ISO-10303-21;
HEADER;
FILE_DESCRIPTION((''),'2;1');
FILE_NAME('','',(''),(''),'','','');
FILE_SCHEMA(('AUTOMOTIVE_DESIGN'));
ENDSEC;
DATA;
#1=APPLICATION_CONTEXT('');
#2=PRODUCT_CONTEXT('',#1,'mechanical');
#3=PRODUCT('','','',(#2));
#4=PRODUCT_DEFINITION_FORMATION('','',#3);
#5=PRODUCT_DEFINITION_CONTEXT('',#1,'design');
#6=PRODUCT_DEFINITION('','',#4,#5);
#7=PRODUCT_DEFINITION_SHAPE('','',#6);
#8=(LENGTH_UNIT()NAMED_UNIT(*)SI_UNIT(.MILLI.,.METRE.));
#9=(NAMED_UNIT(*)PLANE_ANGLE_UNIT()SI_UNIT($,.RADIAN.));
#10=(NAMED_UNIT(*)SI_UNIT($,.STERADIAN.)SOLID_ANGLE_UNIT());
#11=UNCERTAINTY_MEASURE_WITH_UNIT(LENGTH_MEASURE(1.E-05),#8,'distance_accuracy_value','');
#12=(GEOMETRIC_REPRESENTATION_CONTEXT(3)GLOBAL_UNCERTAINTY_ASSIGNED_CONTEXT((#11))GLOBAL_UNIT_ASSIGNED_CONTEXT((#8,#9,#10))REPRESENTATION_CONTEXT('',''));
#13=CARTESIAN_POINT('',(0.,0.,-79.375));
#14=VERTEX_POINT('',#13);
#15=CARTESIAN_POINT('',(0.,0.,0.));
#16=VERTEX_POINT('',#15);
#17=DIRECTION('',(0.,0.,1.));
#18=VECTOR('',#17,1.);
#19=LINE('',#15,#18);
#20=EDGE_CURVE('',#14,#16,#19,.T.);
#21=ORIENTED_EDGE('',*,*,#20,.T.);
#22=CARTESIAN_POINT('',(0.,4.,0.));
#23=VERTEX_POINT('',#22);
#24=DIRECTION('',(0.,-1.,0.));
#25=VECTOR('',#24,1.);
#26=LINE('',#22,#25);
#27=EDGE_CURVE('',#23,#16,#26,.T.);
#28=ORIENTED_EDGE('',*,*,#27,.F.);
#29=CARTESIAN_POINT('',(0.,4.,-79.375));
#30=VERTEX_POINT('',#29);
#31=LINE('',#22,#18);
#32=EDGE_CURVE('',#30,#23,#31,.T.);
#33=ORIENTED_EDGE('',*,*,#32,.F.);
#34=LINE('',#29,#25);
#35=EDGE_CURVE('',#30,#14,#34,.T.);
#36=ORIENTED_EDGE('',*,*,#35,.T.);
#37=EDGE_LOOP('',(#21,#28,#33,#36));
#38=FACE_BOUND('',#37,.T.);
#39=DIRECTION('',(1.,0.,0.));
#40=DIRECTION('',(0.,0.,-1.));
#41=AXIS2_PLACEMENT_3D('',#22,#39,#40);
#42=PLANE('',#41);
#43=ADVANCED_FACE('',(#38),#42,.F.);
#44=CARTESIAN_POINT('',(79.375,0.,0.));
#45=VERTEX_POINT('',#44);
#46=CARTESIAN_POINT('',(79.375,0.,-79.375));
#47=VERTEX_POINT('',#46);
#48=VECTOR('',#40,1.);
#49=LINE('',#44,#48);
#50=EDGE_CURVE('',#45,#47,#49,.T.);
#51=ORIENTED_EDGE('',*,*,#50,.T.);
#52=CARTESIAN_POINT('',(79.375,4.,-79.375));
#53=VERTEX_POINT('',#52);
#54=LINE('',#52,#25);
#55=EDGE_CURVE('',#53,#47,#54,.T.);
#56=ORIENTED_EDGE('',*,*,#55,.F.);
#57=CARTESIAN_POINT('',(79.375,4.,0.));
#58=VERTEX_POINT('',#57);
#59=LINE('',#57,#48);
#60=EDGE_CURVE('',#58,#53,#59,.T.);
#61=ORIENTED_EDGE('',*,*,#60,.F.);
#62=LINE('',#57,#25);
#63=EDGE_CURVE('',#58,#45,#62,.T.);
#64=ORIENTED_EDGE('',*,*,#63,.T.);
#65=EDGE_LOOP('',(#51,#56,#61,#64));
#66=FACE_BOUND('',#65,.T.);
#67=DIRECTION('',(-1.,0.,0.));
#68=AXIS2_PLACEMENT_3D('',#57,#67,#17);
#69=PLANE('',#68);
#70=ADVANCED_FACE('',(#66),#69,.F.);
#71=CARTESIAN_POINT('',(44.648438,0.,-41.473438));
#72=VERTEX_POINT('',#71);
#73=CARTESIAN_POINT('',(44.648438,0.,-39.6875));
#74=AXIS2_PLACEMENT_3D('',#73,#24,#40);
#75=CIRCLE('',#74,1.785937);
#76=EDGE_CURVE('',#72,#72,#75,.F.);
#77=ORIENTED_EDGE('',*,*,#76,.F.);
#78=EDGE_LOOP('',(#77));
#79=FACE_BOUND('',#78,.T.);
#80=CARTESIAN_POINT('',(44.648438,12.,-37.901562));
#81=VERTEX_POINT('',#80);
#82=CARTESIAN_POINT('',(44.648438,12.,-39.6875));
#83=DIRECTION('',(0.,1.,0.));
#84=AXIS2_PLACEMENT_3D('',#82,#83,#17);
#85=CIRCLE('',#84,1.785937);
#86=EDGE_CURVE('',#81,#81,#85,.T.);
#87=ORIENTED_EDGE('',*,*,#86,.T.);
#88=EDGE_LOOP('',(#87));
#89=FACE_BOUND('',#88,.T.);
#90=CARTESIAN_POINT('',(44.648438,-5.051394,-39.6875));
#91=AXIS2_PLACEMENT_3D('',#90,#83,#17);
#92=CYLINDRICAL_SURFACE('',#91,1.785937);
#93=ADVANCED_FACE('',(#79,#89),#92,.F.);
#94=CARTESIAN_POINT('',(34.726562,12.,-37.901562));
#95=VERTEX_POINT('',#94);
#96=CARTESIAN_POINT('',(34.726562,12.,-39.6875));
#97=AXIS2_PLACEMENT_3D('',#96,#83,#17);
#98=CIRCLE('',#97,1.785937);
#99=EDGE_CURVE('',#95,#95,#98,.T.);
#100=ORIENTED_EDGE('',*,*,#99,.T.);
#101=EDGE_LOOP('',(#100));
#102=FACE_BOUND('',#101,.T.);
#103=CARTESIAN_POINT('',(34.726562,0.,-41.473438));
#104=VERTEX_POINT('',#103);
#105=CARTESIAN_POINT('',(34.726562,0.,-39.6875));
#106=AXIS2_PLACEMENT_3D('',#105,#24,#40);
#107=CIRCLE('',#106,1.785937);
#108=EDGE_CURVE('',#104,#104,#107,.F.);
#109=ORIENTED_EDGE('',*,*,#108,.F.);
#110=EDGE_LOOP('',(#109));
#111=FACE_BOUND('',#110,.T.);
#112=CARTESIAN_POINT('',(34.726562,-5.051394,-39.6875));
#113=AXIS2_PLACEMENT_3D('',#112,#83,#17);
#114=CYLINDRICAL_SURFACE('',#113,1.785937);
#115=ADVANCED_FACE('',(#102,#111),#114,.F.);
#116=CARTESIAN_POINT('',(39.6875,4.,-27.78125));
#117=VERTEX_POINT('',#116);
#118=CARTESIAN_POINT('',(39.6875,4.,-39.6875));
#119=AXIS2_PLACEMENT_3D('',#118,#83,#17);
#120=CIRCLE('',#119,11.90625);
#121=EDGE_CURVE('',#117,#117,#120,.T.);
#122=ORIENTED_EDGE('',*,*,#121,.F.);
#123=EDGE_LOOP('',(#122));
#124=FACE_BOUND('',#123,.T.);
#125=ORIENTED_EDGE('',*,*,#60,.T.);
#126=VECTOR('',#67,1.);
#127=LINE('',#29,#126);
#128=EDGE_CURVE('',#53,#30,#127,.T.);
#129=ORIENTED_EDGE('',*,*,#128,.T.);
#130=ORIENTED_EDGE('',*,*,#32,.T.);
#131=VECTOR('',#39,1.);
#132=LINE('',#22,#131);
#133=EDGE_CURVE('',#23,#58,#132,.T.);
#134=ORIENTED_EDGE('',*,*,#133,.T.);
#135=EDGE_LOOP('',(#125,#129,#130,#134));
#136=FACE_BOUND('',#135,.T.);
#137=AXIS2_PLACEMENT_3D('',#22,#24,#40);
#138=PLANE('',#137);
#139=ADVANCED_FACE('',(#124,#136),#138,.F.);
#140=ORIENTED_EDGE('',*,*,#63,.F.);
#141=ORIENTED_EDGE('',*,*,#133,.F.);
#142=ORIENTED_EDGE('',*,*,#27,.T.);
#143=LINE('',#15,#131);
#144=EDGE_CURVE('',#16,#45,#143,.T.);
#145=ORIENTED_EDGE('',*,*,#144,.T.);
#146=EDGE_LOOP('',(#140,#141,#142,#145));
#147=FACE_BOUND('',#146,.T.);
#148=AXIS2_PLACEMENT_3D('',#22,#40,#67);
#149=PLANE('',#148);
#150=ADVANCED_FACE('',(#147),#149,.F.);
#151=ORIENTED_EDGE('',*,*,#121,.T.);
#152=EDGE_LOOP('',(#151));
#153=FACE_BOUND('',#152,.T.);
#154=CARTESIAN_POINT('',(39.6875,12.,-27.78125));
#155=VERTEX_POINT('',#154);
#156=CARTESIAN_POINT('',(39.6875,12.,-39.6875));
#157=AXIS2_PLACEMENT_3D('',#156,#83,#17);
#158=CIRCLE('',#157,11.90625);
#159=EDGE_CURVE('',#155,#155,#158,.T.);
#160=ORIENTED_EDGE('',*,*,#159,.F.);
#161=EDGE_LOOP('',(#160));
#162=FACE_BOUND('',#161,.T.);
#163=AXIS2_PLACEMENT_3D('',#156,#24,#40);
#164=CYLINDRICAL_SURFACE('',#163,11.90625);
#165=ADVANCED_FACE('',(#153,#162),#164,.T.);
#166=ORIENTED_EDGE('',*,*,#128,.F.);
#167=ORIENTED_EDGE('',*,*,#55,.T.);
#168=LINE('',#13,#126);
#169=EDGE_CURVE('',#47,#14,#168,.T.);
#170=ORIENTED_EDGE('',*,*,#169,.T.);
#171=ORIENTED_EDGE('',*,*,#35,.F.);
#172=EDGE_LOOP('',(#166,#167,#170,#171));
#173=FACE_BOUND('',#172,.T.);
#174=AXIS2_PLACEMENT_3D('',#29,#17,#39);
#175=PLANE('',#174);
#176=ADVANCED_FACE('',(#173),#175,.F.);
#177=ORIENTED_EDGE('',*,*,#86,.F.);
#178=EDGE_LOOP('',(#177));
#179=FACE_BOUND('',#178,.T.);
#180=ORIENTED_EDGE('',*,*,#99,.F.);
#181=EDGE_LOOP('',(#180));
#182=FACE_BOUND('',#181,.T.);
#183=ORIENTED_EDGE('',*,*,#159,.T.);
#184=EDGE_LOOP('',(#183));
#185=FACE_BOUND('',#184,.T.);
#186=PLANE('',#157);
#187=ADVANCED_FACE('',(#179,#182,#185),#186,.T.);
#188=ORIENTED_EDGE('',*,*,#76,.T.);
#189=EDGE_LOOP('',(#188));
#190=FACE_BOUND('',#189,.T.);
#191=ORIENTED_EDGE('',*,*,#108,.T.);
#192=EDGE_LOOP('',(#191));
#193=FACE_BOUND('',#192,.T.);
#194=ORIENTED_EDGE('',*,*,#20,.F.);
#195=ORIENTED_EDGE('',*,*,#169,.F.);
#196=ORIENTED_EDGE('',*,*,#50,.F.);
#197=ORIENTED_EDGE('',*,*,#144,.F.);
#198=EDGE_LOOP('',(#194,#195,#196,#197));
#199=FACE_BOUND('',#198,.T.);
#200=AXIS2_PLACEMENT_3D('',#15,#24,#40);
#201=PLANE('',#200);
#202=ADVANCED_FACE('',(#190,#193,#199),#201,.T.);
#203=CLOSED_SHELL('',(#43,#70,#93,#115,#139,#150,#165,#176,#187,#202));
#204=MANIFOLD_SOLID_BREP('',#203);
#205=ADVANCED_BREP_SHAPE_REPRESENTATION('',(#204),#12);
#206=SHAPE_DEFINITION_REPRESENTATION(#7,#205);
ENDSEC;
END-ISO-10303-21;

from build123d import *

# Parameters (mm, degrees)
SKETCH1_W           = 79.375
SKETCH1_H           = 79.375
BOSS_EXTRUDE1_DEPTH = 4
SKETCH2_R           = 11.90625
BOSS_EXTRUDE2_DEPTH = 8
SKETCH3_R           = 1.7859375
CUT_EXTRUDE1_DEPTH  = 12


with BuildPart() as part:
    # Sketch1 → Boss-Extrude1 (new body)
    with BuildSketch(Plane(origin=(0, 0, 0), x_dir=(1, 0, 0), z_dir=(0, 1, 0))):
        with Locations((39.6875, 39.6875)):
            Rectangle(SKETCH1_W, SKETCH1_H)
    extrude(amount=BOSS_EXTRUDE1_DEPTH)

    # Sketch2 → Boss-Extrude2 (add)
    with BuildSketch(Plane(origin=(0, 4, 0), x_dir=(1, 0, 0), z_dir=(0, 1, 0))):
        with Locations((39.6875, 39.6875)):
            Circle(SKETCH2_R)
    extrude(amount=BOSS_EXTRUDE2_DEPTH)

    # Sketch3 → Cut-Extrude1 (cut)
    with BuildSketch(Plane(origin=(0, 12, 0), x_dir=(1, 0, 0), z_dir=(0, 1, 0))):
        with Locations((34.7265625, 39.6875)):
            Circle(SKETCH3_R)
        with Locations((44.6484375, 39.6875)):
            Circle(SKETCH3_R)
    extrude(amount=-CUT_EXTRUDE1_DEPTH, mode=Mode.SUBTRACT)


solid = part.part
